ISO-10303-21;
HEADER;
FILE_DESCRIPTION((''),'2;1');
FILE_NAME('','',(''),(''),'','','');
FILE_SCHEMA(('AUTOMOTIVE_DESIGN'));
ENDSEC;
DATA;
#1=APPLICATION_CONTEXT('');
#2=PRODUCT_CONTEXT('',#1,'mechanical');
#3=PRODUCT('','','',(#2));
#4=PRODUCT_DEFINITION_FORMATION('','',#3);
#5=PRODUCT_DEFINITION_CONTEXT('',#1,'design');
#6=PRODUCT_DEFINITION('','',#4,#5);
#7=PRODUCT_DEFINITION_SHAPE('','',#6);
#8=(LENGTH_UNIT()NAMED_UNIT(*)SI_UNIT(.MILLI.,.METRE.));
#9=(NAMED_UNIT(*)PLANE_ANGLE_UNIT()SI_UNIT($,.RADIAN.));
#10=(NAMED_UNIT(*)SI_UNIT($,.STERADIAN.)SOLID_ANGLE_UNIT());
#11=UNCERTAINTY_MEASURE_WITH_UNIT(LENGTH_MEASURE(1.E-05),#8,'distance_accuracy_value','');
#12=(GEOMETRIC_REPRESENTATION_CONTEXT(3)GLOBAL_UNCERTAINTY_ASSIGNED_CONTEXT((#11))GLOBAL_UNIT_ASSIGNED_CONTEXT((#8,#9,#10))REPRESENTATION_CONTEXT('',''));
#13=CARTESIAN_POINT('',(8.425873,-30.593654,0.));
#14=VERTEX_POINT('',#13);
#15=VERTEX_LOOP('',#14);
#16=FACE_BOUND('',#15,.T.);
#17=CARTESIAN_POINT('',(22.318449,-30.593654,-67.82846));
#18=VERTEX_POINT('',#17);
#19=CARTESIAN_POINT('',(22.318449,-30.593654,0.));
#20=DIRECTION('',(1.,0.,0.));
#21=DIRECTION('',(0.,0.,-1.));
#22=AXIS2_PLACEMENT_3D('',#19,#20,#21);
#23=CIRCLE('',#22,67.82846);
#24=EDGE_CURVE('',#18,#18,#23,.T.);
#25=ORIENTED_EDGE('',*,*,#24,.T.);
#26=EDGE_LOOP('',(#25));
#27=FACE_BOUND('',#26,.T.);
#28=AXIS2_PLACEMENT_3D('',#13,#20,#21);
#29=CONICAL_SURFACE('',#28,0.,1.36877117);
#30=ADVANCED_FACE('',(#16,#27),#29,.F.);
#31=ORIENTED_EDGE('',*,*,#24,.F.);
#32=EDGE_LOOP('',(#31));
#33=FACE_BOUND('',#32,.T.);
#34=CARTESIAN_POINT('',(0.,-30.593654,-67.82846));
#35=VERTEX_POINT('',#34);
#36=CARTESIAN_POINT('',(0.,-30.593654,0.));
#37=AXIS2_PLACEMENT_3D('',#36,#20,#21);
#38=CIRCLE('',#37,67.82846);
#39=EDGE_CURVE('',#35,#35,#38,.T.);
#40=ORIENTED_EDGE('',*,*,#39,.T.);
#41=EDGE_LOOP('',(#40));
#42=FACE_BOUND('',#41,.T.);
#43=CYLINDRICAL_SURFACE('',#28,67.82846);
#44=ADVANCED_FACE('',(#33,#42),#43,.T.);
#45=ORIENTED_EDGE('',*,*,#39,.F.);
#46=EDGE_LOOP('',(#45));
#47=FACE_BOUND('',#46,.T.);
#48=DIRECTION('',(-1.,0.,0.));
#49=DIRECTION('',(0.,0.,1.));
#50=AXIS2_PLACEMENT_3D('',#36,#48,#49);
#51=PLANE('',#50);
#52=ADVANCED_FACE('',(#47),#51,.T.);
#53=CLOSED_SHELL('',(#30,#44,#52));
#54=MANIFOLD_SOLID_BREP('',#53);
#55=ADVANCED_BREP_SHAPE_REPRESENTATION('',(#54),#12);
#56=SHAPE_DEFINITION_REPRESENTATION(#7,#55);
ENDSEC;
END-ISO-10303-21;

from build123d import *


with BuildPart() as part:
    # Croquis1 → Revolución1 (revolve)
    with BuildSketch(Plane.XY):
        Polygon((0, -30.593654224), (0, 37.234805652), (22.318448693, 37.234805652), (8.425872574, -30.593654224), align=None)
    revolve(axis=Axis((8.425872574, -30.593654224, 0), (-1, 0, 0)))


solid = part.part
